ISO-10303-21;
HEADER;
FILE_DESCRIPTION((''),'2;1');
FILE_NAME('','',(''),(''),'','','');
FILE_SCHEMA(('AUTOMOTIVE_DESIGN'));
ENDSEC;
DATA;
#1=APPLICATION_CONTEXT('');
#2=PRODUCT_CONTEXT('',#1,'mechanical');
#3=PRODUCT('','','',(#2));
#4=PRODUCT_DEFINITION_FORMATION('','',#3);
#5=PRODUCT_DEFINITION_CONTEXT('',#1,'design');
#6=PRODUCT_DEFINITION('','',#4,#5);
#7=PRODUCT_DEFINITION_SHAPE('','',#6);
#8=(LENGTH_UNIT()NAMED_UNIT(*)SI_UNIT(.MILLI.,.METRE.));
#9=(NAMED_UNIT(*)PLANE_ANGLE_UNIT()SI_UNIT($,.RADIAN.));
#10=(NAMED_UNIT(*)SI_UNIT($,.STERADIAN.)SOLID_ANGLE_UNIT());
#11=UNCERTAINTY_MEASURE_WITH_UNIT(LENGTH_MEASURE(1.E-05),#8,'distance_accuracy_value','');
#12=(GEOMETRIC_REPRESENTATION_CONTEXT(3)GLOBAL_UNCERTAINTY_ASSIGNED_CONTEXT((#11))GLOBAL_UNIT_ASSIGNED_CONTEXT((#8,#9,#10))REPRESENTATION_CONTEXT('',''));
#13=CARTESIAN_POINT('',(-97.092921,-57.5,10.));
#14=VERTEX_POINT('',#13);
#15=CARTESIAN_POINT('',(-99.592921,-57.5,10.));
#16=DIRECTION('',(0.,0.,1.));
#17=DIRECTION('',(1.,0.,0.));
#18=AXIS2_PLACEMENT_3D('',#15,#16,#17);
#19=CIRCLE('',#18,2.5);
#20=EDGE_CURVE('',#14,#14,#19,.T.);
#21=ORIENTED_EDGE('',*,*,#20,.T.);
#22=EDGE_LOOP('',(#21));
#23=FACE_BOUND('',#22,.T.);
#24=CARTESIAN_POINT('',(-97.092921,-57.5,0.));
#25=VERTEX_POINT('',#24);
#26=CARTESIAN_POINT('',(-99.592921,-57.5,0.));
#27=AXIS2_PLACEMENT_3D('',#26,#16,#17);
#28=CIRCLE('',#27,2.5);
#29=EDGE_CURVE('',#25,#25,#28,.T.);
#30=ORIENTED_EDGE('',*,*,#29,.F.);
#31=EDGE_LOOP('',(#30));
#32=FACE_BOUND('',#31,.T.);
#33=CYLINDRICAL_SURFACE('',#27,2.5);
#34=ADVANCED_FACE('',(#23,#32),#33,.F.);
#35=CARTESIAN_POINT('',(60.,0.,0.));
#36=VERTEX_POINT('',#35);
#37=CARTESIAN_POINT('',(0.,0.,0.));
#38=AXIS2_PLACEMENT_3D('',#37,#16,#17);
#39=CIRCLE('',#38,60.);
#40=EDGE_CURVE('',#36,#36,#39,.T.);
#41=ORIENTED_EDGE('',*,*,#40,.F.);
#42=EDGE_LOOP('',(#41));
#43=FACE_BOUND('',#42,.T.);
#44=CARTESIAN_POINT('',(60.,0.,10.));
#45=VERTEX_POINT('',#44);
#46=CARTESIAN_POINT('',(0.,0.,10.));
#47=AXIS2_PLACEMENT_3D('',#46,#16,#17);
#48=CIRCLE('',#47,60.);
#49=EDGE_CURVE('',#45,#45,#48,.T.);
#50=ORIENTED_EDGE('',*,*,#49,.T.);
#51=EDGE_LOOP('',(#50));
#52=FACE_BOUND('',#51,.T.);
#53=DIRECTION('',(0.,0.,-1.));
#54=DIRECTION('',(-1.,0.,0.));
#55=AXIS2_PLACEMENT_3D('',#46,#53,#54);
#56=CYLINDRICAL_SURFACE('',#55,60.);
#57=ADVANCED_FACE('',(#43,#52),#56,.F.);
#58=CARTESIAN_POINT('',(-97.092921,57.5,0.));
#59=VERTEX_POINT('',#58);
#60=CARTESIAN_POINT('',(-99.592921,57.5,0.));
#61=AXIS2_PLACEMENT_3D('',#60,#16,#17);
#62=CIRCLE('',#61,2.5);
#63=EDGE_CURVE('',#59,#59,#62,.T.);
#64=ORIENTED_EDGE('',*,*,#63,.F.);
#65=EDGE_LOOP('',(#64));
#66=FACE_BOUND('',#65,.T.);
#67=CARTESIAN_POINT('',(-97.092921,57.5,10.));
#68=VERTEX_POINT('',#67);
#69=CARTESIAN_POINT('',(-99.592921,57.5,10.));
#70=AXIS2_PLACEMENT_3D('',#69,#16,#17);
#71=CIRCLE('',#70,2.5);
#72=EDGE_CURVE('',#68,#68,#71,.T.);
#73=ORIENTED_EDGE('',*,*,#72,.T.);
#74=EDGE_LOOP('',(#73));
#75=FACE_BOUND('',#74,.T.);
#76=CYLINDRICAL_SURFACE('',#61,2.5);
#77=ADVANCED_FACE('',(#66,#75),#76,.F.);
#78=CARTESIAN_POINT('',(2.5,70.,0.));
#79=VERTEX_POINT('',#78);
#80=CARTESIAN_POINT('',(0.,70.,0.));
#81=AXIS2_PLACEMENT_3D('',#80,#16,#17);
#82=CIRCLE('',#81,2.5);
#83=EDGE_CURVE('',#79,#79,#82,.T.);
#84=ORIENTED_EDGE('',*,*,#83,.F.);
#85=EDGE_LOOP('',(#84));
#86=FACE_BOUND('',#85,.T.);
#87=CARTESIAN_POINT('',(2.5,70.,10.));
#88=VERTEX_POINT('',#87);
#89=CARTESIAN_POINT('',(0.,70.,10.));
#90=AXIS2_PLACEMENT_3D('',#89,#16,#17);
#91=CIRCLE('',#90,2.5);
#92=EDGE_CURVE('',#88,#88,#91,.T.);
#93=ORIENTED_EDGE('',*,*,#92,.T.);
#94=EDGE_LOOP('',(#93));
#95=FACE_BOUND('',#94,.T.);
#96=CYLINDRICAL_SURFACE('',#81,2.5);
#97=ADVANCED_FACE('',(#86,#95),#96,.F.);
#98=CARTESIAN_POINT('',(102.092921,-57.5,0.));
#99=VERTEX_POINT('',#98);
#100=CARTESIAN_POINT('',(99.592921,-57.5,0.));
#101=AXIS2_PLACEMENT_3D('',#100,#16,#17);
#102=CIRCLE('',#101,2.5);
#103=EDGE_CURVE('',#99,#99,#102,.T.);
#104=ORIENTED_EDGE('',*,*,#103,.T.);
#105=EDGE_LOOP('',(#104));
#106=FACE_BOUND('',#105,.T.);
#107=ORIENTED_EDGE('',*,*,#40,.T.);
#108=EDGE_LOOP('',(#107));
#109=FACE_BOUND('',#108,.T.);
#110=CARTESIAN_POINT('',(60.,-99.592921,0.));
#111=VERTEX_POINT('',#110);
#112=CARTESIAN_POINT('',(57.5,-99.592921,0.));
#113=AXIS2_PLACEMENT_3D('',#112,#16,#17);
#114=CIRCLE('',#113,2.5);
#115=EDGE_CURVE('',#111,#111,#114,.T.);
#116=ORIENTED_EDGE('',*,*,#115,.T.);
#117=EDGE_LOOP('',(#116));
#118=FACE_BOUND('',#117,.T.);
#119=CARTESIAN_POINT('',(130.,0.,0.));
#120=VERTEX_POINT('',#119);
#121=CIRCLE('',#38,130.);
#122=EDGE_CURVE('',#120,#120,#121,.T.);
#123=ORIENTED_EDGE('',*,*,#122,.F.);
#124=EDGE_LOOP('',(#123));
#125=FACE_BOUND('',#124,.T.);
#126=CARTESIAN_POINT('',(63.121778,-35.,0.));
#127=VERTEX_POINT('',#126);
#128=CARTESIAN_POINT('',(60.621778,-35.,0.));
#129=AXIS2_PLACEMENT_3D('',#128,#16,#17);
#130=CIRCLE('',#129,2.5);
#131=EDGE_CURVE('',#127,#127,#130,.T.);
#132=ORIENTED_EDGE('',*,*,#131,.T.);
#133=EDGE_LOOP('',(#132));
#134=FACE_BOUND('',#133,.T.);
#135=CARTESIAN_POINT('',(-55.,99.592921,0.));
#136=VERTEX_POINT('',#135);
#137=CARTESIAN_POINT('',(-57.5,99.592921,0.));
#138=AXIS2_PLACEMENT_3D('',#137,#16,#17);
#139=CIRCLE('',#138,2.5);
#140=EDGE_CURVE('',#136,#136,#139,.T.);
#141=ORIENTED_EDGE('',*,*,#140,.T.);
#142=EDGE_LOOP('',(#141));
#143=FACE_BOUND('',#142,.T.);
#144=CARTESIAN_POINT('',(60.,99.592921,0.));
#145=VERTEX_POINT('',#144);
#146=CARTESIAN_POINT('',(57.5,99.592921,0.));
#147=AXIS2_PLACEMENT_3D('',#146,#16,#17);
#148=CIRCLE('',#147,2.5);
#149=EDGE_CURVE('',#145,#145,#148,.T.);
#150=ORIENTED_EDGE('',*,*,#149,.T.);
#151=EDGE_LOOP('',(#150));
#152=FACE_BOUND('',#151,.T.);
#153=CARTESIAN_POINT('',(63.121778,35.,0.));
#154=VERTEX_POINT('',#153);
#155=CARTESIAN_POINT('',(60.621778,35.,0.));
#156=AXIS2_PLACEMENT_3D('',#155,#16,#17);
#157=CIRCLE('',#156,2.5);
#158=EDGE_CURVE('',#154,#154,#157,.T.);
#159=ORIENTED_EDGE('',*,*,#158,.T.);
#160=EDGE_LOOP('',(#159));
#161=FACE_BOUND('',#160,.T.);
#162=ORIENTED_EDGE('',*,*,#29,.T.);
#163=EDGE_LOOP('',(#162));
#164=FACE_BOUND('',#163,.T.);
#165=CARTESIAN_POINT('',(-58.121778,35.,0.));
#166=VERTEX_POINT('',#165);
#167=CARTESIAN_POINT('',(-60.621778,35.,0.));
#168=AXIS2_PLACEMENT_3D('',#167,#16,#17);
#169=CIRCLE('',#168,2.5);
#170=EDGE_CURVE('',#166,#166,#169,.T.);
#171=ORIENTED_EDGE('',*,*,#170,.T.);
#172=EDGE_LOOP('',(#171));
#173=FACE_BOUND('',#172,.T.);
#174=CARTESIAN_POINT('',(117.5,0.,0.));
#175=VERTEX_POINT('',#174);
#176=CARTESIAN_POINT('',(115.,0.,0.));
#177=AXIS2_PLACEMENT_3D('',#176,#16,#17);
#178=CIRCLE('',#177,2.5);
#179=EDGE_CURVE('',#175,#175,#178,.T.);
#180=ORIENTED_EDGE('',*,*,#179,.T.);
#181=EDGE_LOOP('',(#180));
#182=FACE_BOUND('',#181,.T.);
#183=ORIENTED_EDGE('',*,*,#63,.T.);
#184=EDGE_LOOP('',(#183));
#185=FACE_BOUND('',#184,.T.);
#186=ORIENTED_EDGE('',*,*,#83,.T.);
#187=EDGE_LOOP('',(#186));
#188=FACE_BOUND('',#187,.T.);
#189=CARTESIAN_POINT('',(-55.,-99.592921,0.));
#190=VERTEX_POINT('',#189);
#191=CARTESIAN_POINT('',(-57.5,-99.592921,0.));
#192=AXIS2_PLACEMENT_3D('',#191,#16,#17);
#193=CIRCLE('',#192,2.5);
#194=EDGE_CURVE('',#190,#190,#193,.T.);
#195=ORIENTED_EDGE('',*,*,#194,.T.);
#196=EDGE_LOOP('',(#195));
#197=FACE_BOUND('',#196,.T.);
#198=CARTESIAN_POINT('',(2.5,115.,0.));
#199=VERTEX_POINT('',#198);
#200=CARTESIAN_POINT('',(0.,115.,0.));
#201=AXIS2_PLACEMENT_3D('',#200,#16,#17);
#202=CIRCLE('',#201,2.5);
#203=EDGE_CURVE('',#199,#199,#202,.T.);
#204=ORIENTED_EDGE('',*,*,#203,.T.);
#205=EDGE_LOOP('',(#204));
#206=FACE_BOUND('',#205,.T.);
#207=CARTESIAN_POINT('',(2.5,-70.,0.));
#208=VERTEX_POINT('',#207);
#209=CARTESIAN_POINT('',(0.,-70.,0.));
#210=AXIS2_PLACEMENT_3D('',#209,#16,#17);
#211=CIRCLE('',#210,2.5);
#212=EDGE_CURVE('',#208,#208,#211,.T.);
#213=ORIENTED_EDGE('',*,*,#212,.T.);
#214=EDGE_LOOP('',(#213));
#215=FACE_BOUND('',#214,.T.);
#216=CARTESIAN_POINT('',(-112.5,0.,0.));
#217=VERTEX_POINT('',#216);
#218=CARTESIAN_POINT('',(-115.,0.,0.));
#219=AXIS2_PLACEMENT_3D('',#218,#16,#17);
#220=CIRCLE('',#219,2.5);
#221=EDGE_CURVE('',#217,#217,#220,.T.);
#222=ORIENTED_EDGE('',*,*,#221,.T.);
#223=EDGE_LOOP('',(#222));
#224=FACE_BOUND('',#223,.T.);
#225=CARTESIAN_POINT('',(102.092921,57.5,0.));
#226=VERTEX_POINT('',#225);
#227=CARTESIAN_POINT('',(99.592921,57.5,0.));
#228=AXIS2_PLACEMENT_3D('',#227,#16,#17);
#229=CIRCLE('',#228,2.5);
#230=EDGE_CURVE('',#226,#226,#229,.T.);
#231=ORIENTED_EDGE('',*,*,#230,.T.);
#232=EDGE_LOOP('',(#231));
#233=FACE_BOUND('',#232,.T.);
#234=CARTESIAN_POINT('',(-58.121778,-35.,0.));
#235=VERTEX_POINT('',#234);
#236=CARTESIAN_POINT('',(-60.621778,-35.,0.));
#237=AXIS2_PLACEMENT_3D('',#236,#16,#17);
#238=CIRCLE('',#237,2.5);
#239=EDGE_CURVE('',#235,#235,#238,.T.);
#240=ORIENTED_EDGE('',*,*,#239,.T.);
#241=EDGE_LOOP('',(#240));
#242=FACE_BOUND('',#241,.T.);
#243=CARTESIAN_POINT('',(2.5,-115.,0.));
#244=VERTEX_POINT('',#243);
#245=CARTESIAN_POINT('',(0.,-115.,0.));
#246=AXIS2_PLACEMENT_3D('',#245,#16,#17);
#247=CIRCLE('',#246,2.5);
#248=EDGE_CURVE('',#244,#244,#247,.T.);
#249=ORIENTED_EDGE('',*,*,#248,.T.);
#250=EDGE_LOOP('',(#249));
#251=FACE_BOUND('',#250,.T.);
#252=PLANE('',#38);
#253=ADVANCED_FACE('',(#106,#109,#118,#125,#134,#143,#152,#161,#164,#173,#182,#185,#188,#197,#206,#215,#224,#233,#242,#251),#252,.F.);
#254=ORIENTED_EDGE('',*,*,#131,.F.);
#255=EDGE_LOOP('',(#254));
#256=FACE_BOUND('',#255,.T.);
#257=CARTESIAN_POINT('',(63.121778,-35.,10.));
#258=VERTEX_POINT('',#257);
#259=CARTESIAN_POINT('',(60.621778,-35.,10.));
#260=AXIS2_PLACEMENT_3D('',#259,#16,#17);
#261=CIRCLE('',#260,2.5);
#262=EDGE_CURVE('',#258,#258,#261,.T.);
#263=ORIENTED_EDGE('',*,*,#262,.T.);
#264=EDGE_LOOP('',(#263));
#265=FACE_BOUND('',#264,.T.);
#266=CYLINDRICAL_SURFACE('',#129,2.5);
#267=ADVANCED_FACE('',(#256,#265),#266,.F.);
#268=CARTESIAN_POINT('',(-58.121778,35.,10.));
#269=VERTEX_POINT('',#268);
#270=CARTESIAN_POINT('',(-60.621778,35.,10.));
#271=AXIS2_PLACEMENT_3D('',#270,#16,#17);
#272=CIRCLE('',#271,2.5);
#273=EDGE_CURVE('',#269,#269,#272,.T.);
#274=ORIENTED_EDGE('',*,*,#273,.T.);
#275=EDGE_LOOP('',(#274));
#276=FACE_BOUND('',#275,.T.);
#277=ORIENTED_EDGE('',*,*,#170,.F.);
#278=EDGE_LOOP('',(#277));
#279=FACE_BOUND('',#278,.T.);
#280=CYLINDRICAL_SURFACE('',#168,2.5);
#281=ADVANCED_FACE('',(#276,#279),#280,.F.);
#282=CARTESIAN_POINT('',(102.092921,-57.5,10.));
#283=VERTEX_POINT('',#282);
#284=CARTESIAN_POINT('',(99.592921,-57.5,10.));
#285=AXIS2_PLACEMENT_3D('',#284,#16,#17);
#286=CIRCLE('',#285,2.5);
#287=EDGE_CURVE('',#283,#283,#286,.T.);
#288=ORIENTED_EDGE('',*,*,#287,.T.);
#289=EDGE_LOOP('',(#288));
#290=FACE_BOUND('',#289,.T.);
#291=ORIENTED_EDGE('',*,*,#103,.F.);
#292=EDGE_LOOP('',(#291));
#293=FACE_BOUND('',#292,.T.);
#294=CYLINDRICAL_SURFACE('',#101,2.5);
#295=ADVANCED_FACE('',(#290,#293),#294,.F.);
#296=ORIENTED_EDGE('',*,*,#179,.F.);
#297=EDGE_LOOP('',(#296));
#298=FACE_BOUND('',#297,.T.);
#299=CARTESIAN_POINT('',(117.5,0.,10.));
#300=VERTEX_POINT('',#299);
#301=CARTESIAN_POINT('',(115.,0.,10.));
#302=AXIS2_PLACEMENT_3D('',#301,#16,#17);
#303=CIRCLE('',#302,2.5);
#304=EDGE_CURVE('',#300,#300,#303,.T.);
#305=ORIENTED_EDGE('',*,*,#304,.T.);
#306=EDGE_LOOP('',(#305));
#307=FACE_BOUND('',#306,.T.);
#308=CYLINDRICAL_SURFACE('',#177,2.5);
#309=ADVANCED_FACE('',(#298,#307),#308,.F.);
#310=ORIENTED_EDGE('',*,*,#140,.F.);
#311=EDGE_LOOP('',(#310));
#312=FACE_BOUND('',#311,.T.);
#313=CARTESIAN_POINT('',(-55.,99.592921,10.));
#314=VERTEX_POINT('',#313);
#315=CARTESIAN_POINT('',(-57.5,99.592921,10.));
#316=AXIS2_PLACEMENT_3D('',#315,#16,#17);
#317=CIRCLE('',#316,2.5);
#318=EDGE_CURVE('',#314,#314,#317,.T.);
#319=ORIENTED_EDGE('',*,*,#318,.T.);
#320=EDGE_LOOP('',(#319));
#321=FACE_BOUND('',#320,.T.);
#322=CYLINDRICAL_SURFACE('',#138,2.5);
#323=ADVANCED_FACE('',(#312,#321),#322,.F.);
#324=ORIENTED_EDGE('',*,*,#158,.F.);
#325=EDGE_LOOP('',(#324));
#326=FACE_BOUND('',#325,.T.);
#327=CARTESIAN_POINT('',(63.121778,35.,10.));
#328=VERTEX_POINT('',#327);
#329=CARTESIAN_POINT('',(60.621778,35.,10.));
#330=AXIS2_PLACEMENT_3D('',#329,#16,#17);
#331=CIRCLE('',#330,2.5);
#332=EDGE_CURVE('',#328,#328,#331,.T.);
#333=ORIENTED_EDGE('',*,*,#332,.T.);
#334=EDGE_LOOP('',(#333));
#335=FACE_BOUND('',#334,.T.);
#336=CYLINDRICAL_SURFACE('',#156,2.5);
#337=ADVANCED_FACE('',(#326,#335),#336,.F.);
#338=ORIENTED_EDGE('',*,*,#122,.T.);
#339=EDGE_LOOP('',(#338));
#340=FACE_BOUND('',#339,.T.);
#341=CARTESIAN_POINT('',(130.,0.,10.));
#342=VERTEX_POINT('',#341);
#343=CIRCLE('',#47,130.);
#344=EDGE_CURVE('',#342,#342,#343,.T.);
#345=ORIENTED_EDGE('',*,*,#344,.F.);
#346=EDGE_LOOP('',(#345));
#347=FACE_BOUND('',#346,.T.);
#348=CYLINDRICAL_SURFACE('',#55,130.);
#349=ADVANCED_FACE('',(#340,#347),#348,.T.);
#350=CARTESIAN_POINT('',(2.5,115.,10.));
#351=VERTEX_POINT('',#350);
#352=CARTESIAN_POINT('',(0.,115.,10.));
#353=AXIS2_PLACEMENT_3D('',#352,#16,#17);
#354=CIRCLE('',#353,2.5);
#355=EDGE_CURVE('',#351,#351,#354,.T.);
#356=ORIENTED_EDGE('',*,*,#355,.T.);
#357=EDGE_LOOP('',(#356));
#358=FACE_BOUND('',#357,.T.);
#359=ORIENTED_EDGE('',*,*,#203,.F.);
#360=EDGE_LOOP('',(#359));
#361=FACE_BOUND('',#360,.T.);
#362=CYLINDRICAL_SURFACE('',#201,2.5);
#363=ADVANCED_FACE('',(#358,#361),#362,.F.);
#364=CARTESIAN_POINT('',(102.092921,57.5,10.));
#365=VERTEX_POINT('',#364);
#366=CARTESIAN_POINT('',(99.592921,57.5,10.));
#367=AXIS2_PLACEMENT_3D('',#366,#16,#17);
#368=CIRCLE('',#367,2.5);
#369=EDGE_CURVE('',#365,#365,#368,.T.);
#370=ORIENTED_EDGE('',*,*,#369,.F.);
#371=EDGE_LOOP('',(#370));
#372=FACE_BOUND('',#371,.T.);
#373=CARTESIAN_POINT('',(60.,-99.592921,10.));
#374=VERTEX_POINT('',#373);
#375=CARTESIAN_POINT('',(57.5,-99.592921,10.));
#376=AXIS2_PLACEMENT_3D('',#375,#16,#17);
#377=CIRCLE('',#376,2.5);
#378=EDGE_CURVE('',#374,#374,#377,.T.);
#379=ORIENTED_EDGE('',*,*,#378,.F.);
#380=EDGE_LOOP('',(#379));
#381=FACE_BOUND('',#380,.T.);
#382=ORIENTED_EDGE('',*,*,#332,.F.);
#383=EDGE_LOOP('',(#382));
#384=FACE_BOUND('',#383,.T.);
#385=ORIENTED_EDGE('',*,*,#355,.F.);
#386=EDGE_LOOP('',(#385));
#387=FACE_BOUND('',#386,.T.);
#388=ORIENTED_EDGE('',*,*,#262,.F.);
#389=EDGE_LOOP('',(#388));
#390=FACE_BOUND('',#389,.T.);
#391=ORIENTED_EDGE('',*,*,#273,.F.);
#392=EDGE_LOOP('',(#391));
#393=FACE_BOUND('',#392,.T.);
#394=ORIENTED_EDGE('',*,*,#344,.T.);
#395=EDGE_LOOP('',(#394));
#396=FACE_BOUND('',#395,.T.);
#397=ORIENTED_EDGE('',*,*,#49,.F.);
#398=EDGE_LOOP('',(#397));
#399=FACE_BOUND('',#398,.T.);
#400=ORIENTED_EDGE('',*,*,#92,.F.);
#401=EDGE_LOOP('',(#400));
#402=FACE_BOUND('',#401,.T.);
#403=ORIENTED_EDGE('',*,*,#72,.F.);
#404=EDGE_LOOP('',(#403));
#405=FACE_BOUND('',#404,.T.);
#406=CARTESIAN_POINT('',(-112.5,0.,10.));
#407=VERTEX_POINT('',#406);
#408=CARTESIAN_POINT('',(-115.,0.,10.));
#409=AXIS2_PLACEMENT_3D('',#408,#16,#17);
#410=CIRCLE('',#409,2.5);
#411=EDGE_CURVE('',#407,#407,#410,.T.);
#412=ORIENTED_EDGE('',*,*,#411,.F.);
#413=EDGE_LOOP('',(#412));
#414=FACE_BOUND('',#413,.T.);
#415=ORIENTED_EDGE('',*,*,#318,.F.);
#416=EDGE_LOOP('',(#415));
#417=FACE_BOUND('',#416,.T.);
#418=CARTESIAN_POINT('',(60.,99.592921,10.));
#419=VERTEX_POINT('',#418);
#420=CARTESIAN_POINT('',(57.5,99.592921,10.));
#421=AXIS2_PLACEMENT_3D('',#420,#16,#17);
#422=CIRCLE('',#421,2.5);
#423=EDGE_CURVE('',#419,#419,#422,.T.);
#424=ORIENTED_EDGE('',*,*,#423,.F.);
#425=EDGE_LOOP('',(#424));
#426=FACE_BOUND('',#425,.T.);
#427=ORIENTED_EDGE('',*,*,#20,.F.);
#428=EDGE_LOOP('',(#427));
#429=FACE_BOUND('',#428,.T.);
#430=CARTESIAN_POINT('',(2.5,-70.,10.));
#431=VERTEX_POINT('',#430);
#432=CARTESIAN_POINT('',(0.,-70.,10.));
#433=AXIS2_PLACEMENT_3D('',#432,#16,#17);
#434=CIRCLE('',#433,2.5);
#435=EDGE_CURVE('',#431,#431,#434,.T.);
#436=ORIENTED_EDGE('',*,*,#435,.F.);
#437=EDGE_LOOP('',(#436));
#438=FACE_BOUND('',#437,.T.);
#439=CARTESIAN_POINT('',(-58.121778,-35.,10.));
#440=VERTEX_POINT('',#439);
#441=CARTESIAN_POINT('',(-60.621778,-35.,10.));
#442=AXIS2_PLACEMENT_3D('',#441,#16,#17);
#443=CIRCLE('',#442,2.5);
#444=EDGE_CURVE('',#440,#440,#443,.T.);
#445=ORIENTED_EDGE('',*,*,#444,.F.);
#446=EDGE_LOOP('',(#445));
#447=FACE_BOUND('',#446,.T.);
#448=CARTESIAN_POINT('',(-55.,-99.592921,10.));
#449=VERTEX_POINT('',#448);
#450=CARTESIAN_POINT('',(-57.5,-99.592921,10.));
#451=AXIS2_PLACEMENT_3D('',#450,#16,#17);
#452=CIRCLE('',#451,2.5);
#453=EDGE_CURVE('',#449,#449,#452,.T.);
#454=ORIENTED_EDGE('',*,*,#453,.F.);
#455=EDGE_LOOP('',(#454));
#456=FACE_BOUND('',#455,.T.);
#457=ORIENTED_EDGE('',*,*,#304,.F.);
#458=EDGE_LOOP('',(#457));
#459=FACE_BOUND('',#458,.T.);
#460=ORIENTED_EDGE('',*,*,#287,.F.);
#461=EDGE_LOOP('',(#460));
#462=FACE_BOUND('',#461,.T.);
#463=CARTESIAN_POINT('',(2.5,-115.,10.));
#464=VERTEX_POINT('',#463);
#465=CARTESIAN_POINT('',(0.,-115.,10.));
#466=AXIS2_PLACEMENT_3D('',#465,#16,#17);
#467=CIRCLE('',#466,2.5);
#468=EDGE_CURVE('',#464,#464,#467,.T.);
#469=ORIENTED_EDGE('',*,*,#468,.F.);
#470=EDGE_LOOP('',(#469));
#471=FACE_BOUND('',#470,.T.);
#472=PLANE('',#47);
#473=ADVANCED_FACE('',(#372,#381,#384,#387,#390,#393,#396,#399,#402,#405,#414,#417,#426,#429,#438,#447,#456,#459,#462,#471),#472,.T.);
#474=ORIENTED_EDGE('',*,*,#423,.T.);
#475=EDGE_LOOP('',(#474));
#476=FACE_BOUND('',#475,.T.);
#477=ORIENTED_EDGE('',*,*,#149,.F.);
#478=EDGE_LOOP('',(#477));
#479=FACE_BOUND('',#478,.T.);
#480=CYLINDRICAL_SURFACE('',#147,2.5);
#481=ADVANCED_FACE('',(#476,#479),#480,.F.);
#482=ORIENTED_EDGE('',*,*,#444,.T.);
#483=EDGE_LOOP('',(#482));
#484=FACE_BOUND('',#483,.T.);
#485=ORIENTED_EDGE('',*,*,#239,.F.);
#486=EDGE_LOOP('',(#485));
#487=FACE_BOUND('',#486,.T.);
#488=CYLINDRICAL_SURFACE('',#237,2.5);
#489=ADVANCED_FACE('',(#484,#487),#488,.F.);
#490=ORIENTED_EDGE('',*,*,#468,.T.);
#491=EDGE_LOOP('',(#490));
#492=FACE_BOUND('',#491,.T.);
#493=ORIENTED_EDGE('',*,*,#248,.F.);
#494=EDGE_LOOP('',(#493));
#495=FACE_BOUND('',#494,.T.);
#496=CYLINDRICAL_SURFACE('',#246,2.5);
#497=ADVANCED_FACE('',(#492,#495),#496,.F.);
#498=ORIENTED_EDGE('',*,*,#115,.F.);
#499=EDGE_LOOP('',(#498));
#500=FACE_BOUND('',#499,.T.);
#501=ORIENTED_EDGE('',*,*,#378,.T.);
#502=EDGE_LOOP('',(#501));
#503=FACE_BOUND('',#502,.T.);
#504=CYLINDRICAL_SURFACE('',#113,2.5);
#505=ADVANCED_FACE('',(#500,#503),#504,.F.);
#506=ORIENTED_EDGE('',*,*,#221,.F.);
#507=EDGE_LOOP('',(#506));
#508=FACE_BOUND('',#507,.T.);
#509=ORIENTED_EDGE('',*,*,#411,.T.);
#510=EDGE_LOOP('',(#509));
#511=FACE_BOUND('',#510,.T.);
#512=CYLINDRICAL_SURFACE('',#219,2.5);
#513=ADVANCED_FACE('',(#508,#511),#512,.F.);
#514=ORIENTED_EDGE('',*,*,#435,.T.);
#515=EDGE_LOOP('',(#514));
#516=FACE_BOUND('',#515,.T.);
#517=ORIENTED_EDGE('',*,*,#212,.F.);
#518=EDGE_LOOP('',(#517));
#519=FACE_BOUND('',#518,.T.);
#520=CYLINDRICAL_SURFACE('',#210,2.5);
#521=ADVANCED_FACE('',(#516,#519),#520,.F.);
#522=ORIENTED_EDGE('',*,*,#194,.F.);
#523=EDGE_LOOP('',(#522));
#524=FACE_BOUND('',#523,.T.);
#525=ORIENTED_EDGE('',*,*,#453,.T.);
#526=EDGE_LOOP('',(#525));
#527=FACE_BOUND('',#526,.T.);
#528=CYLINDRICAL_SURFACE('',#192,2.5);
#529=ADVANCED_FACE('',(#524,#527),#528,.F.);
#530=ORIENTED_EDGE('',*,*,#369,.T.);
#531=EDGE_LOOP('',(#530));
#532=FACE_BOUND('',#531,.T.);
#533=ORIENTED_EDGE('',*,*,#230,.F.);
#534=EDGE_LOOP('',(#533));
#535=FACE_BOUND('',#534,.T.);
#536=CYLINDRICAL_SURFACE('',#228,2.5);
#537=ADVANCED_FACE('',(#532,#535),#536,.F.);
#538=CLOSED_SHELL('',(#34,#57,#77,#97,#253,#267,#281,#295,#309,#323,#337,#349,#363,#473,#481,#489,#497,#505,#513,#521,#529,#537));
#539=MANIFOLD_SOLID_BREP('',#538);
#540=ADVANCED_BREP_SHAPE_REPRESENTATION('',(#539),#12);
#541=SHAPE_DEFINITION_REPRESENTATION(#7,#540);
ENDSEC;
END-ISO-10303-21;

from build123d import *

# Parameters (mm, degrees)
SKETCH_1_R          = 130
SKETCH_1_R_2        = 60
EXTRUDE_1_DEPTH     = 10
SKETCH_2_R          = 2.5
CUT_EXTRUDE_1_DEPTH = 185.119526395
SKETCH_3_R          = 2.5
CUT_EXTRUDE_2_DEPTH = 185.119526395


with BuildPart() as part:
    # 草图1 → 凸台-拉伸1 (new body)
    with BuildSketch(Plane.XY):
        Circle(SKETCH_1_R)
        Circle(SKETCH_1_R_2, mode=Mode.SUBTRACT)
    extrude(amount=EXTRUDE_1_DEPTH)

    # 草图2 → 切除-拉伸1 (cut, through all)
    with BuildSketch(Plane.XY.offset(10)):
        with Locations((0, 70)):
            Circle(SKETCH_2_R)
        with Locations((60.621778265, 35)):
            Circle(SKETCH_2_R)
        with Locations((60.621778265, -35)):
            Circle(SKETCH_2_R)
        with Locations((0, -70)):
            Circle(SKETCH_2_R)
        with Locations((-60.621778265, -35)):
            Circle(SKETCH_2_R)
        with Locations((-60.621778265, 35)):
            Circle(SKETCH_2_R)
    extrude(amount=-CUT_EXTRUDE_1_DEPTH, mode=Mode.SUBTRACT)

    # 草图3 → 切除-拉伸2 (cut, through all)
    with BuildSketch(Plane.XY.offset(10)):
        with Locations((0, 115)):
            Circle(SKETCH_3_R)
        with Locations((57.5, 99.592921435)):
            Circle(SKETCH_3_R)
        with Locations((99.592921435, 57.5)):
            Circle(SKETCH_3_R)
        with Locations((115, 0)):
            Circle(SKETCH_3_R)
        with Locations((99.592921435, -57.5)):
            Circle(SKETCH_3_R)
        with Locations((57.5, -99.592921435)):
            Circle(SKETCH_3_R)
        with Locations((0, -115)):
            Circle(SKETCH_3_R)
        with Locations((-57.5, -99.592921435)):
            Circle(SKETCH_3_R)
        with Locations((-99.592921435, -57.5)):
            Circle(SKETCH_3_R)
        with Locations((-115, 0)):
            Circle(SKETCH_3_R)
        with Locations((-99.592921435, 57.5)):
            Circle(SKETCH_3_R)
        with Locations((-57.5, 99.592921435)):
            Circle(SKETCH_3_R)
    extrude(amount=-CUT_EXTRUDE_2_DEPTH, mode=Mode.SUBTRACT)


solid = part.part
